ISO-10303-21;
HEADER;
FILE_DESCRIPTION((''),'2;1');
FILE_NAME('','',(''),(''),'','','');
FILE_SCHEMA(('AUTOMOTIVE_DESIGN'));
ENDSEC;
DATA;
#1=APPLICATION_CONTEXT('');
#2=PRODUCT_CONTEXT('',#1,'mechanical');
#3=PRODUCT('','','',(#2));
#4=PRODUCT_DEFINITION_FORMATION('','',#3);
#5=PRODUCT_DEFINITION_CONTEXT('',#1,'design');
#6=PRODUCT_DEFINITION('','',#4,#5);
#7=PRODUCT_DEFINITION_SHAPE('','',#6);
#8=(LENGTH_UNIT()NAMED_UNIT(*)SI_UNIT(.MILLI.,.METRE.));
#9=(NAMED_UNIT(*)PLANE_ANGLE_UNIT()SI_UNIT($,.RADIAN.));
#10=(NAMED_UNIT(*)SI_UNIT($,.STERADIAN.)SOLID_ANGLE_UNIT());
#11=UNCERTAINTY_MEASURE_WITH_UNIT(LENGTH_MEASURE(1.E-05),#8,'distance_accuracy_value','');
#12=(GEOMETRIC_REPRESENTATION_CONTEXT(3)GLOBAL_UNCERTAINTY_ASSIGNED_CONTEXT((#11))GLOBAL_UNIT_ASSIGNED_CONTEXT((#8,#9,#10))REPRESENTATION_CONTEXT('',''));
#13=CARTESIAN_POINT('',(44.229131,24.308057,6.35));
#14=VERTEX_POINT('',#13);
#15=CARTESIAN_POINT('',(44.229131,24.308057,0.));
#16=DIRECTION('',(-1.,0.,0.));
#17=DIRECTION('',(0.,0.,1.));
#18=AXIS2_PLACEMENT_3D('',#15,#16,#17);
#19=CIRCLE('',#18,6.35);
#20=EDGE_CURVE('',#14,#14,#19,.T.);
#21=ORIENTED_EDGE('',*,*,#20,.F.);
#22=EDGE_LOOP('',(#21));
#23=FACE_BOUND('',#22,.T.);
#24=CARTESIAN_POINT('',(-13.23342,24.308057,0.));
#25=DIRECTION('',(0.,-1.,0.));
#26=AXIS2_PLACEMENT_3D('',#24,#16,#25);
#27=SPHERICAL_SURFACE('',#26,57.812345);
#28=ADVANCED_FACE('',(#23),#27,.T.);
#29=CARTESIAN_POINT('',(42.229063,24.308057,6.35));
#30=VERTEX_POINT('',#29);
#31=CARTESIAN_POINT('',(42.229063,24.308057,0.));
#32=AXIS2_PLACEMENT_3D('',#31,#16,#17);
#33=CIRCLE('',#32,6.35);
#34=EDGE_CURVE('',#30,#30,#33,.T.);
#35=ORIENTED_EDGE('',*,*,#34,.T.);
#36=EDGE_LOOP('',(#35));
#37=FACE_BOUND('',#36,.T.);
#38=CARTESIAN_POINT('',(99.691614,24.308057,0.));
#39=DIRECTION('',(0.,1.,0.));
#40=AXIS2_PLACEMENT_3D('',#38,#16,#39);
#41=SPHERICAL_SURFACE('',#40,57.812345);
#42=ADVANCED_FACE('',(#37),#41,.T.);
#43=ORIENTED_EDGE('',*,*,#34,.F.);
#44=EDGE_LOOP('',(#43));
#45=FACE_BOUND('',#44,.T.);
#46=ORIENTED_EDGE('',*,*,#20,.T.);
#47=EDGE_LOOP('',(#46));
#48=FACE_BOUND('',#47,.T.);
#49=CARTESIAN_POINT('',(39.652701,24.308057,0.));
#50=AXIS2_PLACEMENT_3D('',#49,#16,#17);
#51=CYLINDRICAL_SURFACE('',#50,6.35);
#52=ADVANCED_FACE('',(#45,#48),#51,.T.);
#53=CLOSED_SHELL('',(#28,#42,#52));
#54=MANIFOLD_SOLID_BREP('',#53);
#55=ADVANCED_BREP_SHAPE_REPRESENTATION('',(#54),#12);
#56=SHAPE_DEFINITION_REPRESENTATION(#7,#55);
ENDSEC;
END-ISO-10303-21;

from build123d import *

# Parameters (mm, degrees)
SKETCH_1_ONE_SIDE_W = 2.000068571
SKETCH_1_ONE_SIDE_H = 6.35


with BuildPart() as part:
    # 草图1 one side → 旋转1 (revolve)
    with BuildSketch(Plane.XY, mode=Mode.PRIVATE) as revolve_1_sk:
        with Locations((43.229096888, 27.483056512)):
            Rectangle(SKETCH_1_ONE_SIDE_W, SKETCH_1_ONE_SIDE_H)
        with BuildLine():
            Line((41.879268316, 24.308056512), (42.229062602, 24.308056512))
            Line((42.229062602, 24.308056512), (42.229062602, 30.658056512))
            ThreePointArc((42.229062602, 30.658056512), (41.966783126, 27.48787003), (41.879268316, 24.308056512))
        make_face()
        with BuildLine():
            Line((44.229131173, 24.308056512), (44.578925459, 24.308056512))
            ThreePointArc((44.578925459, 24.308056512), (44.491410649, 27.48787003), (44.229131173, 30.658056512))
            Line((44.229131173, 30.658056512), (44.229131173, 24.308056512))
        make_face()
    revolve(revolve_1_sk.sketch.rotate(Axis((39.652700675, 24.308056512, 0), (1, 0, 0)), 90), axis=Axis((39.652700675, 24.308056512, 0), (1, 0, 0)))  # turned: the seam where the file's is


solid = part.part
